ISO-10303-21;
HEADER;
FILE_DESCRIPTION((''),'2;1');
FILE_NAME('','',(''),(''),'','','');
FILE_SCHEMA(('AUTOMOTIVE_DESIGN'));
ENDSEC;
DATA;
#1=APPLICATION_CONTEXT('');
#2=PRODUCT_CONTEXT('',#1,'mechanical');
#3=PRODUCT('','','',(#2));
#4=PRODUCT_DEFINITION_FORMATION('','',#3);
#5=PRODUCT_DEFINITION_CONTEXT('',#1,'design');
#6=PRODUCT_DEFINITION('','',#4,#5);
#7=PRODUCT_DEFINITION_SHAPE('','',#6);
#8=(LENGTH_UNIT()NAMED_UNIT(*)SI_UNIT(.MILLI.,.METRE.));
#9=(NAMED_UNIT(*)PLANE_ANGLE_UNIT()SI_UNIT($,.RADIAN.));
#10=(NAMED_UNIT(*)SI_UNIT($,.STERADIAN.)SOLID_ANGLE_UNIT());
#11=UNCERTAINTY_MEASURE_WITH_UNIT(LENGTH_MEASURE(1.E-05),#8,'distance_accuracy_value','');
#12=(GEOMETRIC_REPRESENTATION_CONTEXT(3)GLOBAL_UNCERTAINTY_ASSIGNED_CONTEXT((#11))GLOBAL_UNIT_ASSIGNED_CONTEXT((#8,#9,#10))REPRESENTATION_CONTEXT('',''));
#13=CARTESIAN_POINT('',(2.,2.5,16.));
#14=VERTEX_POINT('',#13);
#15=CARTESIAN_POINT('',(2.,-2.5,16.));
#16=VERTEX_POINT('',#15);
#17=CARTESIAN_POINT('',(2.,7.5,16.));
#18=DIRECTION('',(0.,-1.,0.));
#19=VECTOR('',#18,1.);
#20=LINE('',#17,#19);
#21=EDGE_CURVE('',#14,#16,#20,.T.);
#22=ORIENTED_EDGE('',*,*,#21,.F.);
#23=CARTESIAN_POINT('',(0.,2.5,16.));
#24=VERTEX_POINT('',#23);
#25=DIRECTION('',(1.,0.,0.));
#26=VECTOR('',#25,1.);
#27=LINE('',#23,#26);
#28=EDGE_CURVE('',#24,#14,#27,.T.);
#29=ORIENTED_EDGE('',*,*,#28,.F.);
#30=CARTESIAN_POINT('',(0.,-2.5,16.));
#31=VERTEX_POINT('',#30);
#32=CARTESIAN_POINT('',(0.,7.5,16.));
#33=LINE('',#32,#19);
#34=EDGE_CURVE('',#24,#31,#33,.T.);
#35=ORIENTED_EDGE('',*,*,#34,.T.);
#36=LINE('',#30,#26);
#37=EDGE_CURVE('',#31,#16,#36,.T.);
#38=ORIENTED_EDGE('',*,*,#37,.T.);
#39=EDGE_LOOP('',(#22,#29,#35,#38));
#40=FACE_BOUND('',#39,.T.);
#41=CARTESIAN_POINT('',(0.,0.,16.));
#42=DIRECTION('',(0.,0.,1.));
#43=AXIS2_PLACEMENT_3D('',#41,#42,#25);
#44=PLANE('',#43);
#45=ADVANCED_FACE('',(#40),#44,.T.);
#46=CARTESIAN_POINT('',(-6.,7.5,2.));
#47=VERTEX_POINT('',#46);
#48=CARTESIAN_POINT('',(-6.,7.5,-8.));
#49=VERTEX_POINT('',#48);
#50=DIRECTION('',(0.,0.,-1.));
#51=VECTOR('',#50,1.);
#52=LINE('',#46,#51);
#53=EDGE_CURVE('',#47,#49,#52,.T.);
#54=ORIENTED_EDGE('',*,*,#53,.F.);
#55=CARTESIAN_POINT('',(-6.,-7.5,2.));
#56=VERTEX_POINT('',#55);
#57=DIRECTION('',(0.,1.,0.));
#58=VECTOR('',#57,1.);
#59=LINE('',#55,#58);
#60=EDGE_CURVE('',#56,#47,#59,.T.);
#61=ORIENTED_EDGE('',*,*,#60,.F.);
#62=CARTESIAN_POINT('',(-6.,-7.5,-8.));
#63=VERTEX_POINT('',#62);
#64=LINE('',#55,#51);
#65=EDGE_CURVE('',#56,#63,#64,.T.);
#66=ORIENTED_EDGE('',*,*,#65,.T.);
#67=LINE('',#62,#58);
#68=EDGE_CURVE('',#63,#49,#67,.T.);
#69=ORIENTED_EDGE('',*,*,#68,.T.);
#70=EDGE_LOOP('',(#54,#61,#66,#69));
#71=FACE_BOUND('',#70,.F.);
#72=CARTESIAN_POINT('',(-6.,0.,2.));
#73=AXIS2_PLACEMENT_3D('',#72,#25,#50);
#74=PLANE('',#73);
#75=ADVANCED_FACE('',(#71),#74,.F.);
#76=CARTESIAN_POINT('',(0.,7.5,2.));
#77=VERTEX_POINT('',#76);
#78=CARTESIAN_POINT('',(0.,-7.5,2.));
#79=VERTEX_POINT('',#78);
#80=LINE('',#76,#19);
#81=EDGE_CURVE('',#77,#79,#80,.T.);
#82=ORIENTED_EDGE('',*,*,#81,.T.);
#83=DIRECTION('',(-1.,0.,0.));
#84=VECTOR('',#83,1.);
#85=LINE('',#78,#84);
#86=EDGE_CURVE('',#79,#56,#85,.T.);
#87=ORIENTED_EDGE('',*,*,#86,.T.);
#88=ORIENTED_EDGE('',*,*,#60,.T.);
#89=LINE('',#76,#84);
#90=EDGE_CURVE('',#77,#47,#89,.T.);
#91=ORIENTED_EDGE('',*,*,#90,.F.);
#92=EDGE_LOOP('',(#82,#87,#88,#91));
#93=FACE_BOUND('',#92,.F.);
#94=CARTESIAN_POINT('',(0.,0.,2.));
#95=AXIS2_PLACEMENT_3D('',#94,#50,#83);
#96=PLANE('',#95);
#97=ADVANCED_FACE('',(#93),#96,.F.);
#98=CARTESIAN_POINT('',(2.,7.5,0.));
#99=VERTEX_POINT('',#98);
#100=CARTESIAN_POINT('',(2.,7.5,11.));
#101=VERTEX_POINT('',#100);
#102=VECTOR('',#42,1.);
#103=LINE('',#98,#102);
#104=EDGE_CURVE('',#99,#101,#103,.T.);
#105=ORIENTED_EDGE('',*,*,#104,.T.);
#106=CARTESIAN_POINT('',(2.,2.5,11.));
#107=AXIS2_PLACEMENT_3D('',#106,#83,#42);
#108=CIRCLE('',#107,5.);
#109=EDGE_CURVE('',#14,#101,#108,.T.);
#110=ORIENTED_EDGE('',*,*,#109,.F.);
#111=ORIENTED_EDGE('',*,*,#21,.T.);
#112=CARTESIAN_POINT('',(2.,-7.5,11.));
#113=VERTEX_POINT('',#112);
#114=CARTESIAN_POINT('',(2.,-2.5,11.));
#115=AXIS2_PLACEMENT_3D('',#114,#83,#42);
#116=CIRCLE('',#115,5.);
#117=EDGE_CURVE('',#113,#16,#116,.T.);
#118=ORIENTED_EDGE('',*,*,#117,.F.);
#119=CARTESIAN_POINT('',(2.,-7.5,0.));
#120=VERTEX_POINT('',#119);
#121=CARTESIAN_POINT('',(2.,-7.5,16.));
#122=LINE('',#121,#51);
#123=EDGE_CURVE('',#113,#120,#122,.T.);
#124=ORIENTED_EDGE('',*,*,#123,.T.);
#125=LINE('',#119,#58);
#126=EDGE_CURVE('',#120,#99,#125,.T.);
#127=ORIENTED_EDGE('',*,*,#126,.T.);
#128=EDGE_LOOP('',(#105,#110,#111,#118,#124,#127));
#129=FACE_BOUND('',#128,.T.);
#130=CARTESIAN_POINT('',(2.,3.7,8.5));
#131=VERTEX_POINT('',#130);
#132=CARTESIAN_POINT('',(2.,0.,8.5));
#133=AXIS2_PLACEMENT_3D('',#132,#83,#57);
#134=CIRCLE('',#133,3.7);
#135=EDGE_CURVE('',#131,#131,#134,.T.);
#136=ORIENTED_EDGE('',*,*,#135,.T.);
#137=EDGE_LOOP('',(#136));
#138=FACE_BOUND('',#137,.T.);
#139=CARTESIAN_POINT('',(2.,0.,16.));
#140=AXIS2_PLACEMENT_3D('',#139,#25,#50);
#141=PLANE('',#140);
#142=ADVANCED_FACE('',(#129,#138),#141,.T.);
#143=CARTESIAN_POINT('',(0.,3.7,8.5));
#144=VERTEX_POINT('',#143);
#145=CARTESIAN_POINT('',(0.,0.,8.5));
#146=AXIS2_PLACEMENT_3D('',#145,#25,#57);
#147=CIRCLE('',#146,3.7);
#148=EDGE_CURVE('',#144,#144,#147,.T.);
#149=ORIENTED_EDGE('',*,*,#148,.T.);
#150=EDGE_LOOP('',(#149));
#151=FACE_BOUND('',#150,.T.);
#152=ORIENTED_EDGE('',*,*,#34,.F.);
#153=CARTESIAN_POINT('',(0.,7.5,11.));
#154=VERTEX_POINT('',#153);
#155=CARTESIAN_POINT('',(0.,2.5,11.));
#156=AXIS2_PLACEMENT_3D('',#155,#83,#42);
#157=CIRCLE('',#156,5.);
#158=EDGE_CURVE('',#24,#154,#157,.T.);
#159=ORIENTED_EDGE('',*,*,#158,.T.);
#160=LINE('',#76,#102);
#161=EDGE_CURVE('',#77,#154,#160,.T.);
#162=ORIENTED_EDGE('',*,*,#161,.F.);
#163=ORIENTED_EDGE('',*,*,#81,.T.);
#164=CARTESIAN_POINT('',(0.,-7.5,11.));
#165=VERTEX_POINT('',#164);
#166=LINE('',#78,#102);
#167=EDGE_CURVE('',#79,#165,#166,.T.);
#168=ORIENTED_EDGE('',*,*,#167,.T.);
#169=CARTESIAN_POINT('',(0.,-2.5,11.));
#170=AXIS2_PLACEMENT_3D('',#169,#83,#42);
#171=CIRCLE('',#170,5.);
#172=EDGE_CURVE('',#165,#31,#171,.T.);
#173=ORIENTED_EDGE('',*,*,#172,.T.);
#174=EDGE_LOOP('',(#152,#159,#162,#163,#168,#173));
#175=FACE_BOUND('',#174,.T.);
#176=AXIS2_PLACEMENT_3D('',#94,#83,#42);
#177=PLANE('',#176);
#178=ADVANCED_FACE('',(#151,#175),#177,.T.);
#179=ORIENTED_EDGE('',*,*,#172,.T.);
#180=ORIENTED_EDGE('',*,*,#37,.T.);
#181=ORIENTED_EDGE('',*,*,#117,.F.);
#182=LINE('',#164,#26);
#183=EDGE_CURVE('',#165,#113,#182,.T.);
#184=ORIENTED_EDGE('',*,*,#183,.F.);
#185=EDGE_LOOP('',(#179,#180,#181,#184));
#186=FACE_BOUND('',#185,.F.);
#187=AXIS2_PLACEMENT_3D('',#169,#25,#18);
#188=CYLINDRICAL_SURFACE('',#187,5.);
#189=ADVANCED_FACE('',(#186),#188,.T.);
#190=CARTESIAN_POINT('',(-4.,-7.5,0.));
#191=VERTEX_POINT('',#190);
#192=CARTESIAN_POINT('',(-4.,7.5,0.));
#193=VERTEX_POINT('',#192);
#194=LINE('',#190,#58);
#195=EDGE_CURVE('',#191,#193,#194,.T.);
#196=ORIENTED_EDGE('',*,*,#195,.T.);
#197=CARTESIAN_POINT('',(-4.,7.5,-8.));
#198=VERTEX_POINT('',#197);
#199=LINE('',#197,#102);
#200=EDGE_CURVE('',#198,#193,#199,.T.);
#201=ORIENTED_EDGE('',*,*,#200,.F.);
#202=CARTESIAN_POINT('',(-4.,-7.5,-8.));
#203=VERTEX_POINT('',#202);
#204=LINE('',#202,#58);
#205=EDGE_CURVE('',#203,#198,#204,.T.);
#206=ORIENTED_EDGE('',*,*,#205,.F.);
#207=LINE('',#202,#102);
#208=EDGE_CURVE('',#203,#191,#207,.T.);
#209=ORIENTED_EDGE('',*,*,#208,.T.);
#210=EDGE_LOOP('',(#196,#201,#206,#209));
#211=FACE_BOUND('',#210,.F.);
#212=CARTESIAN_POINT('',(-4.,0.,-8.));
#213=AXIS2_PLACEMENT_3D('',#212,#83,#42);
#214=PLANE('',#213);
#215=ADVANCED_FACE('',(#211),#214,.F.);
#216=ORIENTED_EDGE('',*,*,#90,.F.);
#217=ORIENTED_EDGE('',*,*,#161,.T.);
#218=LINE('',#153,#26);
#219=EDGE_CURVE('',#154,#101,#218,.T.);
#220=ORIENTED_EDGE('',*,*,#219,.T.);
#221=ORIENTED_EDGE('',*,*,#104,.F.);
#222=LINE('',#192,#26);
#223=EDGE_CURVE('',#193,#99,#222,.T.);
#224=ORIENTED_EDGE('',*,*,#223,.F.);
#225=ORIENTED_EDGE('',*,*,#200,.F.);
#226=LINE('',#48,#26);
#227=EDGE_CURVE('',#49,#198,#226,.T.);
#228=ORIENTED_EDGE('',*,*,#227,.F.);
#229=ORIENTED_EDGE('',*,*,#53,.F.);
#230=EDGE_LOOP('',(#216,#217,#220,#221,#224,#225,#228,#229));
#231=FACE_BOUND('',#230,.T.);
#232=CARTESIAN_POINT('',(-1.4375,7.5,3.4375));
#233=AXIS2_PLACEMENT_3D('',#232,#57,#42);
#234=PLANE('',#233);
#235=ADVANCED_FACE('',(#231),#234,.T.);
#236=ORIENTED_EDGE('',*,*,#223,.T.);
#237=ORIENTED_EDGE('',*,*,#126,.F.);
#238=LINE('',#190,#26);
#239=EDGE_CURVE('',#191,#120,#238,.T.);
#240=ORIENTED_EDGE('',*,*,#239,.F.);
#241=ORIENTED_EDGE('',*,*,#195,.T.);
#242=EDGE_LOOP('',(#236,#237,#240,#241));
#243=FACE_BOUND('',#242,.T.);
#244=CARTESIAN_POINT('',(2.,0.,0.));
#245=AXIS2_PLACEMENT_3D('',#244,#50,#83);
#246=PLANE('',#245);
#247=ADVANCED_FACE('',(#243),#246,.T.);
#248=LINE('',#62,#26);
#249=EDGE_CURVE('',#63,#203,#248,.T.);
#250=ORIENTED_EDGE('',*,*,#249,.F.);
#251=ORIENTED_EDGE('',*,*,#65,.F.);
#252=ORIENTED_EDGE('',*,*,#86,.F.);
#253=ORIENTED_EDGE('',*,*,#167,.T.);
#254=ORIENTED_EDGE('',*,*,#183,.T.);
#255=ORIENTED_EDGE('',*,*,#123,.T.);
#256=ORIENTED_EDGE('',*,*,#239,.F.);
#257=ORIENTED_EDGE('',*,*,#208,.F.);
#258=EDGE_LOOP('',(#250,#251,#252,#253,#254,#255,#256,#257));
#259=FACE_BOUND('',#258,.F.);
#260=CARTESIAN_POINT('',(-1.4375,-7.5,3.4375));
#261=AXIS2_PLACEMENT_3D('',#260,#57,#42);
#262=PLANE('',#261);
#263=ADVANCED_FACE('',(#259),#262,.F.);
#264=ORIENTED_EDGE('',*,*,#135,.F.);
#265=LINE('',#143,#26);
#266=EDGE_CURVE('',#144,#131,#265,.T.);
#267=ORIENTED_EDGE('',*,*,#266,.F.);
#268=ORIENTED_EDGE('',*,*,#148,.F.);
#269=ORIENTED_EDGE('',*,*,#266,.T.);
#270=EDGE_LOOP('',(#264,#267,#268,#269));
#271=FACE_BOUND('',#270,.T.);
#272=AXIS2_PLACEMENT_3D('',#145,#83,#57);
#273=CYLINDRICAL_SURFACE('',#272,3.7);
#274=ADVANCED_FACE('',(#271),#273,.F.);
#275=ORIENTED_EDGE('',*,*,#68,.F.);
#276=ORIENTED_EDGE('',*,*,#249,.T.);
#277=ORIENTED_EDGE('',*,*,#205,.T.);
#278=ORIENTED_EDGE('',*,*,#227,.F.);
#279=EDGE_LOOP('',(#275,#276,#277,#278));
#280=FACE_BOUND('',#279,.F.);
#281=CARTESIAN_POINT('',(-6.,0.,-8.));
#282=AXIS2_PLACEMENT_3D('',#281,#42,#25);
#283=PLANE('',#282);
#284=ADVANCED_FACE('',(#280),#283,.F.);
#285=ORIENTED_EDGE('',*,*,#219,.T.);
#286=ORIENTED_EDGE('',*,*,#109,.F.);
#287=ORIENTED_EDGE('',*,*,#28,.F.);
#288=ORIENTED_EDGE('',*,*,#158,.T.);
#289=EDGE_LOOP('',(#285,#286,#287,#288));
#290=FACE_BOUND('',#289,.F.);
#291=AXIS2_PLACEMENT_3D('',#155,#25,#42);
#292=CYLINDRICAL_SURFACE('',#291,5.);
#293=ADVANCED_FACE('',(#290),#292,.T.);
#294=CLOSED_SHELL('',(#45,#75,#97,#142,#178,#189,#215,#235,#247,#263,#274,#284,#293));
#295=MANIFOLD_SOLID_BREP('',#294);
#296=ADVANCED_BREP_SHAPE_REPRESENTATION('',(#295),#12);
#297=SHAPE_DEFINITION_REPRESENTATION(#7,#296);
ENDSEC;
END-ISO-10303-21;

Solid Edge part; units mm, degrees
sketch "Sketch1" plane through (0, 0, 0) normal (0, -1, 0) x (1, 0, 0)
  line L0 (2, 16) -> (2, 2)
  line L1 (2, 2) -> (2, 0)
  line L2 (2, 0) -> (0, 0)
  line L3 (-4, 0) -> (0, 0)
  line L4 (-4, -8) -> (-4, 0)
  line L5 (-6, -8) -> (-4, -8)
  line L6 (-6, 2) -> (-6, -8)
  line L7 (0, 2) -> (-6, 2)
  line L8 (0, 2) -> (0, 16)
  line L9 (0, 16) -> (2, 16)
extrude "Protrusion1" add sketch "Sketch1" along normal mid plane 15
sketch "Sketch2" plane through (0, 0, 0) normal (1, 0, 0) x (0, 1, 0)
  circle A0 centre (0, 8.5) radius 3.7
extrude "Cutout1" cut sketch "Sketch2" along normal up to next
fillet "Round_1" radius 5 2 edges at (1, -7.5, 16) (1, 7.5, 16)
